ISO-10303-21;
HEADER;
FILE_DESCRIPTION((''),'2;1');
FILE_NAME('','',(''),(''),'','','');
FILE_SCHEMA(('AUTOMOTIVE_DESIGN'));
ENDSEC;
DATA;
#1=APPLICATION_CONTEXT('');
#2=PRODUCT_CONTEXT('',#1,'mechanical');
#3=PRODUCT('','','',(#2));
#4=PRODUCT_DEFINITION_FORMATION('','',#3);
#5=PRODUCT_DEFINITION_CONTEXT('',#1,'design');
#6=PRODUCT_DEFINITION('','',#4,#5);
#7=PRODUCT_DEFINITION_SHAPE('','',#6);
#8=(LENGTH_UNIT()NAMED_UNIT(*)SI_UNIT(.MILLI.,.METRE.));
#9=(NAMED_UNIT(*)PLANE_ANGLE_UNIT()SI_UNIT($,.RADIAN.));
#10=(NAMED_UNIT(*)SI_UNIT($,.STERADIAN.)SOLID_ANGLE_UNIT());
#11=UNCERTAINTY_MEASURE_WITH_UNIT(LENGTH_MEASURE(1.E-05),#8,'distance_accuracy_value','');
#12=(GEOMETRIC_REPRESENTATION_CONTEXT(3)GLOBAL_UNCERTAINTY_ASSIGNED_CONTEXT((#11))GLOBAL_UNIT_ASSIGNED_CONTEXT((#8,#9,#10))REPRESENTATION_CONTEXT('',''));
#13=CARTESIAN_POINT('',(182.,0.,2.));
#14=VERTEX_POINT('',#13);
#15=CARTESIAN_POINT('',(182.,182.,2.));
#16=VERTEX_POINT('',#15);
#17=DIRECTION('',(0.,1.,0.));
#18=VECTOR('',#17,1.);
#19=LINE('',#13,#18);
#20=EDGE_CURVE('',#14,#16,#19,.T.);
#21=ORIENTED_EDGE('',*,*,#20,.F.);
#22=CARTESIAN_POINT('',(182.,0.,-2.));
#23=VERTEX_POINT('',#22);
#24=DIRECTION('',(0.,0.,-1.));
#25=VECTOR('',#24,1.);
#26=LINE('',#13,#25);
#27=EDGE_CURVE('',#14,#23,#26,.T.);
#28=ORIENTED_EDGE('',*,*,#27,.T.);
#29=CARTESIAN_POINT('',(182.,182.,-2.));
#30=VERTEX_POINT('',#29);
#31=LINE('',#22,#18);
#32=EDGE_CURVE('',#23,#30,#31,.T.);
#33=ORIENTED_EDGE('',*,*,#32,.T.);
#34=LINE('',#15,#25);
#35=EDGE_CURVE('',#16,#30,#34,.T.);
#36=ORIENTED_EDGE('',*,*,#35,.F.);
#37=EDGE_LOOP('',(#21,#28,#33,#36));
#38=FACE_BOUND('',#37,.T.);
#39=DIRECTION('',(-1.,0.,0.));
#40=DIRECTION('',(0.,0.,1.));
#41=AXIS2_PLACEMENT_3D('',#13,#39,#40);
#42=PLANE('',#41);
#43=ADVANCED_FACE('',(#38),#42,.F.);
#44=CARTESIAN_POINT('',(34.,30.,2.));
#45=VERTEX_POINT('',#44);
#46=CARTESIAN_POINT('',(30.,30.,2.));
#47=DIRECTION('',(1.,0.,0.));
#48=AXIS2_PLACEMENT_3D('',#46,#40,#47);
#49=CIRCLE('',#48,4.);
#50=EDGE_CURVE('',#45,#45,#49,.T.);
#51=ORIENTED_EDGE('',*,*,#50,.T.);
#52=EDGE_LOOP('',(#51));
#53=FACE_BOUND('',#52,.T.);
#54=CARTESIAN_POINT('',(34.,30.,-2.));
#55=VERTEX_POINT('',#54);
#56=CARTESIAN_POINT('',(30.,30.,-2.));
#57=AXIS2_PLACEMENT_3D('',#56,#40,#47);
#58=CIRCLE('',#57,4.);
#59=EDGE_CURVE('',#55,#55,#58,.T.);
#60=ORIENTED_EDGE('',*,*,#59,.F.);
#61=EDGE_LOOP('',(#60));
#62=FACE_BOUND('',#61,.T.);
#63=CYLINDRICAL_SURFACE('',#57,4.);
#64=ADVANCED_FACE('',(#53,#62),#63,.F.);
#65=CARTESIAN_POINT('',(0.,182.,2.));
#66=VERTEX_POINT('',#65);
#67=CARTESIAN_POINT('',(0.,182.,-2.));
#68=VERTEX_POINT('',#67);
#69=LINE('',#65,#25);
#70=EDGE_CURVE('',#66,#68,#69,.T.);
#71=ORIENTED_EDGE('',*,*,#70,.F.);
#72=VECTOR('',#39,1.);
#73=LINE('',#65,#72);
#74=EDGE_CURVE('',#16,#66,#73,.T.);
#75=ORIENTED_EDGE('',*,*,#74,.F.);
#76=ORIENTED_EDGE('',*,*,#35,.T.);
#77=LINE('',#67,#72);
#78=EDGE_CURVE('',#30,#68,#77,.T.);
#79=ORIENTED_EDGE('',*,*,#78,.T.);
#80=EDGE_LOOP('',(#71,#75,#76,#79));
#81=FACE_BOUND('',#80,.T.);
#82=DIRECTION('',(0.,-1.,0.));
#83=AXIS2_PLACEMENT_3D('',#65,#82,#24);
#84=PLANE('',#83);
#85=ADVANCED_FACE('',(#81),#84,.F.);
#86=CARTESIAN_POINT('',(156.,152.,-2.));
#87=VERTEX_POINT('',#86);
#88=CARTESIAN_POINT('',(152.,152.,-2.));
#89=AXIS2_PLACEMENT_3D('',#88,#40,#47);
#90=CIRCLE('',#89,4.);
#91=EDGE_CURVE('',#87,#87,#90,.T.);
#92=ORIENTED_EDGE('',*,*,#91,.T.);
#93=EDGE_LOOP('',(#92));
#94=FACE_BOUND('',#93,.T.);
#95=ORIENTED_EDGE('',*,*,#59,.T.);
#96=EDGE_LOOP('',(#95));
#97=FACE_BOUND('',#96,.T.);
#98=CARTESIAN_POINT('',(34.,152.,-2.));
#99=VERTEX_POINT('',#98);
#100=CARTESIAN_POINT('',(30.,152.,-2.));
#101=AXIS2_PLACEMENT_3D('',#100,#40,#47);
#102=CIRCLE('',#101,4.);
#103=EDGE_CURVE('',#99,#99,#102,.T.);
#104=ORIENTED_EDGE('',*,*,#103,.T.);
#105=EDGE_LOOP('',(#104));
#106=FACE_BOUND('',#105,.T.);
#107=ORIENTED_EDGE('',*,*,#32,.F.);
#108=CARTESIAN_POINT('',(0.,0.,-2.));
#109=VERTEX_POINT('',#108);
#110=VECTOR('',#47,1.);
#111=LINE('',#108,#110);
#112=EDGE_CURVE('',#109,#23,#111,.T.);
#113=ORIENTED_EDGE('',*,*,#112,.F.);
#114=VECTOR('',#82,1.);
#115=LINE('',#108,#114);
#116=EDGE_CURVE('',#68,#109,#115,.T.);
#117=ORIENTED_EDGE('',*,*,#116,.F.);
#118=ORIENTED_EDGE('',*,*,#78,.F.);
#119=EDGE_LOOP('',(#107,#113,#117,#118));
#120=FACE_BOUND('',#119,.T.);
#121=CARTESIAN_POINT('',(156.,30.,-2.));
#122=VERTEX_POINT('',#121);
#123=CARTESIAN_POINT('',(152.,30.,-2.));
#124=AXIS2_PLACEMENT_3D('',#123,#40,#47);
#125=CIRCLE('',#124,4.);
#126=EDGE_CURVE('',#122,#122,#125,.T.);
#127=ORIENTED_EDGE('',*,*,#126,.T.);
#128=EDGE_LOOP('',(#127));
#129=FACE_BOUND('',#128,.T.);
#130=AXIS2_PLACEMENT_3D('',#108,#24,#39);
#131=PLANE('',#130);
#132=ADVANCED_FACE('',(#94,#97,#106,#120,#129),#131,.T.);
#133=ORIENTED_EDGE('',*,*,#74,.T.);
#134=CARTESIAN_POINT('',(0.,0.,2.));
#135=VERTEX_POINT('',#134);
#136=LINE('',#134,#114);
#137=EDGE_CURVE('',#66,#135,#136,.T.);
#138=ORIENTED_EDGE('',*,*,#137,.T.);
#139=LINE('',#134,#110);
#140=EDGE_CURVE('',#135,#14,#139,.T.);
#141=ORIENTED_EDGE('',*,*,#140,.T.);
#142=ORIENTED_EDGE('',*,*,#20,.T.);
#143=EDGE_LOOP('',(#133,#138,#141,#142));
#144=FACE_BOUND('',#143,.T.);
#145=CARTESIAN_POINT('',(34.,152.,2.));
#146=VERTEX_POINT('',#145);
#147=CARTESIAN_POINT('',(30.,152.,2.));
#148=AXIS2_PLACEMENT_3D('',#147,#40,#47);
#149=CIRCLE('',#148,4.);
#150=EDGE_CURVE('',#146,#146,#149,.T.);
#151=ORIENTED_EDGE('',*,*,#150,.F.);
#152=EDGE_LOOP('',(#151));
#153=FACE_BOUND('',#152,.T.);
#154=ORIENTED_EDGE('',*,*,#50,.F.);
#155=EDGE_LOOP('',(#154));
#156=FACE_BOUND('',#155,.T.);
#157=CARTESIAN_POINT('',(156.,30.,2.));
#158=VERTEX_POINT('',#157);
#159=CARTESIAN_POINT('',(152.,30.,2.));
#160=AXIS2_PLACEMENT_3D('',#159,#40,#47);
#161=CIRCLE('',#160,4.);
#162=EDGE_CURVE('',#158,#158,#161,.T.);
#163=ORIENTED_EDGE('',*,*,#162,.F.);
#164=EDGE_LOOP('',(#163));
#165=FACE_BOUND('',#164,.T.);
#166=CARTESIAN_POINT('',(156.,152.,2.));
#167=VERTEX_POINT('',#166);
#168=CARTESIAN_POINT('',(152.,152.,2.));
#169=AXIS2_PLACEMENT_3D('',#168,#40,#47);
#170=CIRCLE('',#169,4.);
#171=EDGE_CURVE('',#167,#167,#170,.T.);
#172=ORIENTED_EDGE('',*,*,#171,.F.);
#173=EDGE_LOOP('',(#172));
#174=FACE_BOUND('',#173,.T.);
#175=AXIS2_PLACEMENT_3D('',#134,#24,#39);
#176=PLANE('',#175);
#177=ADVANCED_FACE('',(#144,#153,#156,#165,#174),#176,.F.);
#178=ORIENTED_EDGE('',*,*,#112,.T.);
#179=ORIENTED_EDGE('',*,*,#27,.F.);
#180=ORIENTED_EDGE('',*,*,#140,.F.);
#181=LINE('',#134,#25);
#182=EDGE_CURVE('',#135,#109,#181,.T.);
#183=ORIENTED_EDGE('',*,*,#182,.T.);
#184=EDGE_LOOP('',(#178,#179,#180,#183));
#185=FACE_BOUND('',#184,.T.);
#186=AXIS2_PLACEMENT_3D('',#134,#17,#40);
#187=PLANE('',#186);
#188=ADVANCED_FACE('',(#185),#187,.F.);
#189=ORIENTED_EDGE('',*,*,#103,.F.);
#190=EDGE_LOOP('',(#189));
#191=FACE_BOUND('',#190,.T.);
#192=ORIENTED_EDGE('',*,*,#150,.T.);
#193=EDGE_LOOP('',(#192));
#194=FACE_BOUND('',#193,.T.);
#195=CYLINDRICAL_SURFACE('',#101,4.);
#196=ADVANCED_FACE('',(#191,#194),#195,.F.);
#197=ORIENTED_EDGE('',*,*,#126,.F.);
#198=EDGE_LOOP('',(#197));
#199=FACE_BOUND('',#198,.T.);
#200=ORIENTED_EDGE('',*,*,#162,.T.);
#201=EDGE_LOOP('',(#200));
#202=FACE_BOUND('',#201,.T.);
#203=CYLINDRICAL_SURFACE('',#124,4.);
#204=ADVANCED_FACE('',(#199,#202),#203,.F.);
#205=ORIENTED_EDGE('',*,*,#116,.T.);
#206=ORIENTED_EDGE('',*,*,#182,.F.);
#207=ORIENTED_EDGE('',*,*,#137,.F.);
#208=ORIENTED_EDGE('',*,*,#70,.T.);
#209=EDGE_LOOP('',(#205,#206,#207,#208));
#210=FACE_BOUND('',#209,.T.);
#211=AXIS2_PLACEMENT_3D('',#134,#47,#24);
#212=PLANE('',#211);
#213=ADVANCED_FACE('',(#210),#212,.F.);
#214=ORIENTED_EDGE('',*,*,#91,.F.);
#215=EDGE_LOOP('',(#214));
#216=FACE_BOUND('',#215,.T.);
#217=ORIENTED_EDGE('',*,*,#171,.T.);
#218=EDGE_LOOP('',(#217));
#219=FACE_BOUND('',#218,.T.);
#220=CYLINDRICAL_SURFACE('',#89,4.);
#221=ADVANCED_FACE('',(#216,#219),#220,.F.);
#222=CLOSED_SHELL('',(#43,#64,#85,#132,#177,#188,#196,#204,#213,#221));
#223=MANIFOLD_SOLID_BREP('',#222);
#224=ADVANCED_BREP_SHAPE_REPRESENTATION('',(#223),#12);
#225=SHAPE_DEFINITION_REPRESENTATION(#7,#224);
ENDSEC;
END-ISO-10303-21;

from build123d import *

# Parameters (mm, degrees)
CROQUIS1_W              = 182
CROQUIS1_H              = 182
SALIENTE_EXTRUIR1_DEPTH = 2
CROQUIS2_R              = 4
CORTAR_EXTRUIR1_DEPTH   = 4


with BuildPart() as part:
    # Croquis1 → Saliente-Extruir1 (new, symmetric)
    with BuildSketch(Plane.XY):
        with Locations((91, 91)):
            Rectangle(CROQUIS1_W, CROQUIS1_H)
    extrude(amount=SALIENTE_EXTRUIR1_DEPTH, both=True)

    # Croquis2 → Cortar-Extruir1 (cut)
    with BuildSketch(Plane.XY.offset(2)):
        with Locations((30, 152)):
            Circle(CROQUIS2_R)
        with Locations((152, 152)):
            Circle(CROQUIS2_R)
        with Locations((152, 30)):
            Circle(CROQUIS2_R)
        with Locations((30, 30)):
            Circle(CROQUIS2_R)
    extrude(amount=-CORTAR_EXTRUIR1_DEPTH, mode=Mode.SUBTRACT)


solid = part.part
